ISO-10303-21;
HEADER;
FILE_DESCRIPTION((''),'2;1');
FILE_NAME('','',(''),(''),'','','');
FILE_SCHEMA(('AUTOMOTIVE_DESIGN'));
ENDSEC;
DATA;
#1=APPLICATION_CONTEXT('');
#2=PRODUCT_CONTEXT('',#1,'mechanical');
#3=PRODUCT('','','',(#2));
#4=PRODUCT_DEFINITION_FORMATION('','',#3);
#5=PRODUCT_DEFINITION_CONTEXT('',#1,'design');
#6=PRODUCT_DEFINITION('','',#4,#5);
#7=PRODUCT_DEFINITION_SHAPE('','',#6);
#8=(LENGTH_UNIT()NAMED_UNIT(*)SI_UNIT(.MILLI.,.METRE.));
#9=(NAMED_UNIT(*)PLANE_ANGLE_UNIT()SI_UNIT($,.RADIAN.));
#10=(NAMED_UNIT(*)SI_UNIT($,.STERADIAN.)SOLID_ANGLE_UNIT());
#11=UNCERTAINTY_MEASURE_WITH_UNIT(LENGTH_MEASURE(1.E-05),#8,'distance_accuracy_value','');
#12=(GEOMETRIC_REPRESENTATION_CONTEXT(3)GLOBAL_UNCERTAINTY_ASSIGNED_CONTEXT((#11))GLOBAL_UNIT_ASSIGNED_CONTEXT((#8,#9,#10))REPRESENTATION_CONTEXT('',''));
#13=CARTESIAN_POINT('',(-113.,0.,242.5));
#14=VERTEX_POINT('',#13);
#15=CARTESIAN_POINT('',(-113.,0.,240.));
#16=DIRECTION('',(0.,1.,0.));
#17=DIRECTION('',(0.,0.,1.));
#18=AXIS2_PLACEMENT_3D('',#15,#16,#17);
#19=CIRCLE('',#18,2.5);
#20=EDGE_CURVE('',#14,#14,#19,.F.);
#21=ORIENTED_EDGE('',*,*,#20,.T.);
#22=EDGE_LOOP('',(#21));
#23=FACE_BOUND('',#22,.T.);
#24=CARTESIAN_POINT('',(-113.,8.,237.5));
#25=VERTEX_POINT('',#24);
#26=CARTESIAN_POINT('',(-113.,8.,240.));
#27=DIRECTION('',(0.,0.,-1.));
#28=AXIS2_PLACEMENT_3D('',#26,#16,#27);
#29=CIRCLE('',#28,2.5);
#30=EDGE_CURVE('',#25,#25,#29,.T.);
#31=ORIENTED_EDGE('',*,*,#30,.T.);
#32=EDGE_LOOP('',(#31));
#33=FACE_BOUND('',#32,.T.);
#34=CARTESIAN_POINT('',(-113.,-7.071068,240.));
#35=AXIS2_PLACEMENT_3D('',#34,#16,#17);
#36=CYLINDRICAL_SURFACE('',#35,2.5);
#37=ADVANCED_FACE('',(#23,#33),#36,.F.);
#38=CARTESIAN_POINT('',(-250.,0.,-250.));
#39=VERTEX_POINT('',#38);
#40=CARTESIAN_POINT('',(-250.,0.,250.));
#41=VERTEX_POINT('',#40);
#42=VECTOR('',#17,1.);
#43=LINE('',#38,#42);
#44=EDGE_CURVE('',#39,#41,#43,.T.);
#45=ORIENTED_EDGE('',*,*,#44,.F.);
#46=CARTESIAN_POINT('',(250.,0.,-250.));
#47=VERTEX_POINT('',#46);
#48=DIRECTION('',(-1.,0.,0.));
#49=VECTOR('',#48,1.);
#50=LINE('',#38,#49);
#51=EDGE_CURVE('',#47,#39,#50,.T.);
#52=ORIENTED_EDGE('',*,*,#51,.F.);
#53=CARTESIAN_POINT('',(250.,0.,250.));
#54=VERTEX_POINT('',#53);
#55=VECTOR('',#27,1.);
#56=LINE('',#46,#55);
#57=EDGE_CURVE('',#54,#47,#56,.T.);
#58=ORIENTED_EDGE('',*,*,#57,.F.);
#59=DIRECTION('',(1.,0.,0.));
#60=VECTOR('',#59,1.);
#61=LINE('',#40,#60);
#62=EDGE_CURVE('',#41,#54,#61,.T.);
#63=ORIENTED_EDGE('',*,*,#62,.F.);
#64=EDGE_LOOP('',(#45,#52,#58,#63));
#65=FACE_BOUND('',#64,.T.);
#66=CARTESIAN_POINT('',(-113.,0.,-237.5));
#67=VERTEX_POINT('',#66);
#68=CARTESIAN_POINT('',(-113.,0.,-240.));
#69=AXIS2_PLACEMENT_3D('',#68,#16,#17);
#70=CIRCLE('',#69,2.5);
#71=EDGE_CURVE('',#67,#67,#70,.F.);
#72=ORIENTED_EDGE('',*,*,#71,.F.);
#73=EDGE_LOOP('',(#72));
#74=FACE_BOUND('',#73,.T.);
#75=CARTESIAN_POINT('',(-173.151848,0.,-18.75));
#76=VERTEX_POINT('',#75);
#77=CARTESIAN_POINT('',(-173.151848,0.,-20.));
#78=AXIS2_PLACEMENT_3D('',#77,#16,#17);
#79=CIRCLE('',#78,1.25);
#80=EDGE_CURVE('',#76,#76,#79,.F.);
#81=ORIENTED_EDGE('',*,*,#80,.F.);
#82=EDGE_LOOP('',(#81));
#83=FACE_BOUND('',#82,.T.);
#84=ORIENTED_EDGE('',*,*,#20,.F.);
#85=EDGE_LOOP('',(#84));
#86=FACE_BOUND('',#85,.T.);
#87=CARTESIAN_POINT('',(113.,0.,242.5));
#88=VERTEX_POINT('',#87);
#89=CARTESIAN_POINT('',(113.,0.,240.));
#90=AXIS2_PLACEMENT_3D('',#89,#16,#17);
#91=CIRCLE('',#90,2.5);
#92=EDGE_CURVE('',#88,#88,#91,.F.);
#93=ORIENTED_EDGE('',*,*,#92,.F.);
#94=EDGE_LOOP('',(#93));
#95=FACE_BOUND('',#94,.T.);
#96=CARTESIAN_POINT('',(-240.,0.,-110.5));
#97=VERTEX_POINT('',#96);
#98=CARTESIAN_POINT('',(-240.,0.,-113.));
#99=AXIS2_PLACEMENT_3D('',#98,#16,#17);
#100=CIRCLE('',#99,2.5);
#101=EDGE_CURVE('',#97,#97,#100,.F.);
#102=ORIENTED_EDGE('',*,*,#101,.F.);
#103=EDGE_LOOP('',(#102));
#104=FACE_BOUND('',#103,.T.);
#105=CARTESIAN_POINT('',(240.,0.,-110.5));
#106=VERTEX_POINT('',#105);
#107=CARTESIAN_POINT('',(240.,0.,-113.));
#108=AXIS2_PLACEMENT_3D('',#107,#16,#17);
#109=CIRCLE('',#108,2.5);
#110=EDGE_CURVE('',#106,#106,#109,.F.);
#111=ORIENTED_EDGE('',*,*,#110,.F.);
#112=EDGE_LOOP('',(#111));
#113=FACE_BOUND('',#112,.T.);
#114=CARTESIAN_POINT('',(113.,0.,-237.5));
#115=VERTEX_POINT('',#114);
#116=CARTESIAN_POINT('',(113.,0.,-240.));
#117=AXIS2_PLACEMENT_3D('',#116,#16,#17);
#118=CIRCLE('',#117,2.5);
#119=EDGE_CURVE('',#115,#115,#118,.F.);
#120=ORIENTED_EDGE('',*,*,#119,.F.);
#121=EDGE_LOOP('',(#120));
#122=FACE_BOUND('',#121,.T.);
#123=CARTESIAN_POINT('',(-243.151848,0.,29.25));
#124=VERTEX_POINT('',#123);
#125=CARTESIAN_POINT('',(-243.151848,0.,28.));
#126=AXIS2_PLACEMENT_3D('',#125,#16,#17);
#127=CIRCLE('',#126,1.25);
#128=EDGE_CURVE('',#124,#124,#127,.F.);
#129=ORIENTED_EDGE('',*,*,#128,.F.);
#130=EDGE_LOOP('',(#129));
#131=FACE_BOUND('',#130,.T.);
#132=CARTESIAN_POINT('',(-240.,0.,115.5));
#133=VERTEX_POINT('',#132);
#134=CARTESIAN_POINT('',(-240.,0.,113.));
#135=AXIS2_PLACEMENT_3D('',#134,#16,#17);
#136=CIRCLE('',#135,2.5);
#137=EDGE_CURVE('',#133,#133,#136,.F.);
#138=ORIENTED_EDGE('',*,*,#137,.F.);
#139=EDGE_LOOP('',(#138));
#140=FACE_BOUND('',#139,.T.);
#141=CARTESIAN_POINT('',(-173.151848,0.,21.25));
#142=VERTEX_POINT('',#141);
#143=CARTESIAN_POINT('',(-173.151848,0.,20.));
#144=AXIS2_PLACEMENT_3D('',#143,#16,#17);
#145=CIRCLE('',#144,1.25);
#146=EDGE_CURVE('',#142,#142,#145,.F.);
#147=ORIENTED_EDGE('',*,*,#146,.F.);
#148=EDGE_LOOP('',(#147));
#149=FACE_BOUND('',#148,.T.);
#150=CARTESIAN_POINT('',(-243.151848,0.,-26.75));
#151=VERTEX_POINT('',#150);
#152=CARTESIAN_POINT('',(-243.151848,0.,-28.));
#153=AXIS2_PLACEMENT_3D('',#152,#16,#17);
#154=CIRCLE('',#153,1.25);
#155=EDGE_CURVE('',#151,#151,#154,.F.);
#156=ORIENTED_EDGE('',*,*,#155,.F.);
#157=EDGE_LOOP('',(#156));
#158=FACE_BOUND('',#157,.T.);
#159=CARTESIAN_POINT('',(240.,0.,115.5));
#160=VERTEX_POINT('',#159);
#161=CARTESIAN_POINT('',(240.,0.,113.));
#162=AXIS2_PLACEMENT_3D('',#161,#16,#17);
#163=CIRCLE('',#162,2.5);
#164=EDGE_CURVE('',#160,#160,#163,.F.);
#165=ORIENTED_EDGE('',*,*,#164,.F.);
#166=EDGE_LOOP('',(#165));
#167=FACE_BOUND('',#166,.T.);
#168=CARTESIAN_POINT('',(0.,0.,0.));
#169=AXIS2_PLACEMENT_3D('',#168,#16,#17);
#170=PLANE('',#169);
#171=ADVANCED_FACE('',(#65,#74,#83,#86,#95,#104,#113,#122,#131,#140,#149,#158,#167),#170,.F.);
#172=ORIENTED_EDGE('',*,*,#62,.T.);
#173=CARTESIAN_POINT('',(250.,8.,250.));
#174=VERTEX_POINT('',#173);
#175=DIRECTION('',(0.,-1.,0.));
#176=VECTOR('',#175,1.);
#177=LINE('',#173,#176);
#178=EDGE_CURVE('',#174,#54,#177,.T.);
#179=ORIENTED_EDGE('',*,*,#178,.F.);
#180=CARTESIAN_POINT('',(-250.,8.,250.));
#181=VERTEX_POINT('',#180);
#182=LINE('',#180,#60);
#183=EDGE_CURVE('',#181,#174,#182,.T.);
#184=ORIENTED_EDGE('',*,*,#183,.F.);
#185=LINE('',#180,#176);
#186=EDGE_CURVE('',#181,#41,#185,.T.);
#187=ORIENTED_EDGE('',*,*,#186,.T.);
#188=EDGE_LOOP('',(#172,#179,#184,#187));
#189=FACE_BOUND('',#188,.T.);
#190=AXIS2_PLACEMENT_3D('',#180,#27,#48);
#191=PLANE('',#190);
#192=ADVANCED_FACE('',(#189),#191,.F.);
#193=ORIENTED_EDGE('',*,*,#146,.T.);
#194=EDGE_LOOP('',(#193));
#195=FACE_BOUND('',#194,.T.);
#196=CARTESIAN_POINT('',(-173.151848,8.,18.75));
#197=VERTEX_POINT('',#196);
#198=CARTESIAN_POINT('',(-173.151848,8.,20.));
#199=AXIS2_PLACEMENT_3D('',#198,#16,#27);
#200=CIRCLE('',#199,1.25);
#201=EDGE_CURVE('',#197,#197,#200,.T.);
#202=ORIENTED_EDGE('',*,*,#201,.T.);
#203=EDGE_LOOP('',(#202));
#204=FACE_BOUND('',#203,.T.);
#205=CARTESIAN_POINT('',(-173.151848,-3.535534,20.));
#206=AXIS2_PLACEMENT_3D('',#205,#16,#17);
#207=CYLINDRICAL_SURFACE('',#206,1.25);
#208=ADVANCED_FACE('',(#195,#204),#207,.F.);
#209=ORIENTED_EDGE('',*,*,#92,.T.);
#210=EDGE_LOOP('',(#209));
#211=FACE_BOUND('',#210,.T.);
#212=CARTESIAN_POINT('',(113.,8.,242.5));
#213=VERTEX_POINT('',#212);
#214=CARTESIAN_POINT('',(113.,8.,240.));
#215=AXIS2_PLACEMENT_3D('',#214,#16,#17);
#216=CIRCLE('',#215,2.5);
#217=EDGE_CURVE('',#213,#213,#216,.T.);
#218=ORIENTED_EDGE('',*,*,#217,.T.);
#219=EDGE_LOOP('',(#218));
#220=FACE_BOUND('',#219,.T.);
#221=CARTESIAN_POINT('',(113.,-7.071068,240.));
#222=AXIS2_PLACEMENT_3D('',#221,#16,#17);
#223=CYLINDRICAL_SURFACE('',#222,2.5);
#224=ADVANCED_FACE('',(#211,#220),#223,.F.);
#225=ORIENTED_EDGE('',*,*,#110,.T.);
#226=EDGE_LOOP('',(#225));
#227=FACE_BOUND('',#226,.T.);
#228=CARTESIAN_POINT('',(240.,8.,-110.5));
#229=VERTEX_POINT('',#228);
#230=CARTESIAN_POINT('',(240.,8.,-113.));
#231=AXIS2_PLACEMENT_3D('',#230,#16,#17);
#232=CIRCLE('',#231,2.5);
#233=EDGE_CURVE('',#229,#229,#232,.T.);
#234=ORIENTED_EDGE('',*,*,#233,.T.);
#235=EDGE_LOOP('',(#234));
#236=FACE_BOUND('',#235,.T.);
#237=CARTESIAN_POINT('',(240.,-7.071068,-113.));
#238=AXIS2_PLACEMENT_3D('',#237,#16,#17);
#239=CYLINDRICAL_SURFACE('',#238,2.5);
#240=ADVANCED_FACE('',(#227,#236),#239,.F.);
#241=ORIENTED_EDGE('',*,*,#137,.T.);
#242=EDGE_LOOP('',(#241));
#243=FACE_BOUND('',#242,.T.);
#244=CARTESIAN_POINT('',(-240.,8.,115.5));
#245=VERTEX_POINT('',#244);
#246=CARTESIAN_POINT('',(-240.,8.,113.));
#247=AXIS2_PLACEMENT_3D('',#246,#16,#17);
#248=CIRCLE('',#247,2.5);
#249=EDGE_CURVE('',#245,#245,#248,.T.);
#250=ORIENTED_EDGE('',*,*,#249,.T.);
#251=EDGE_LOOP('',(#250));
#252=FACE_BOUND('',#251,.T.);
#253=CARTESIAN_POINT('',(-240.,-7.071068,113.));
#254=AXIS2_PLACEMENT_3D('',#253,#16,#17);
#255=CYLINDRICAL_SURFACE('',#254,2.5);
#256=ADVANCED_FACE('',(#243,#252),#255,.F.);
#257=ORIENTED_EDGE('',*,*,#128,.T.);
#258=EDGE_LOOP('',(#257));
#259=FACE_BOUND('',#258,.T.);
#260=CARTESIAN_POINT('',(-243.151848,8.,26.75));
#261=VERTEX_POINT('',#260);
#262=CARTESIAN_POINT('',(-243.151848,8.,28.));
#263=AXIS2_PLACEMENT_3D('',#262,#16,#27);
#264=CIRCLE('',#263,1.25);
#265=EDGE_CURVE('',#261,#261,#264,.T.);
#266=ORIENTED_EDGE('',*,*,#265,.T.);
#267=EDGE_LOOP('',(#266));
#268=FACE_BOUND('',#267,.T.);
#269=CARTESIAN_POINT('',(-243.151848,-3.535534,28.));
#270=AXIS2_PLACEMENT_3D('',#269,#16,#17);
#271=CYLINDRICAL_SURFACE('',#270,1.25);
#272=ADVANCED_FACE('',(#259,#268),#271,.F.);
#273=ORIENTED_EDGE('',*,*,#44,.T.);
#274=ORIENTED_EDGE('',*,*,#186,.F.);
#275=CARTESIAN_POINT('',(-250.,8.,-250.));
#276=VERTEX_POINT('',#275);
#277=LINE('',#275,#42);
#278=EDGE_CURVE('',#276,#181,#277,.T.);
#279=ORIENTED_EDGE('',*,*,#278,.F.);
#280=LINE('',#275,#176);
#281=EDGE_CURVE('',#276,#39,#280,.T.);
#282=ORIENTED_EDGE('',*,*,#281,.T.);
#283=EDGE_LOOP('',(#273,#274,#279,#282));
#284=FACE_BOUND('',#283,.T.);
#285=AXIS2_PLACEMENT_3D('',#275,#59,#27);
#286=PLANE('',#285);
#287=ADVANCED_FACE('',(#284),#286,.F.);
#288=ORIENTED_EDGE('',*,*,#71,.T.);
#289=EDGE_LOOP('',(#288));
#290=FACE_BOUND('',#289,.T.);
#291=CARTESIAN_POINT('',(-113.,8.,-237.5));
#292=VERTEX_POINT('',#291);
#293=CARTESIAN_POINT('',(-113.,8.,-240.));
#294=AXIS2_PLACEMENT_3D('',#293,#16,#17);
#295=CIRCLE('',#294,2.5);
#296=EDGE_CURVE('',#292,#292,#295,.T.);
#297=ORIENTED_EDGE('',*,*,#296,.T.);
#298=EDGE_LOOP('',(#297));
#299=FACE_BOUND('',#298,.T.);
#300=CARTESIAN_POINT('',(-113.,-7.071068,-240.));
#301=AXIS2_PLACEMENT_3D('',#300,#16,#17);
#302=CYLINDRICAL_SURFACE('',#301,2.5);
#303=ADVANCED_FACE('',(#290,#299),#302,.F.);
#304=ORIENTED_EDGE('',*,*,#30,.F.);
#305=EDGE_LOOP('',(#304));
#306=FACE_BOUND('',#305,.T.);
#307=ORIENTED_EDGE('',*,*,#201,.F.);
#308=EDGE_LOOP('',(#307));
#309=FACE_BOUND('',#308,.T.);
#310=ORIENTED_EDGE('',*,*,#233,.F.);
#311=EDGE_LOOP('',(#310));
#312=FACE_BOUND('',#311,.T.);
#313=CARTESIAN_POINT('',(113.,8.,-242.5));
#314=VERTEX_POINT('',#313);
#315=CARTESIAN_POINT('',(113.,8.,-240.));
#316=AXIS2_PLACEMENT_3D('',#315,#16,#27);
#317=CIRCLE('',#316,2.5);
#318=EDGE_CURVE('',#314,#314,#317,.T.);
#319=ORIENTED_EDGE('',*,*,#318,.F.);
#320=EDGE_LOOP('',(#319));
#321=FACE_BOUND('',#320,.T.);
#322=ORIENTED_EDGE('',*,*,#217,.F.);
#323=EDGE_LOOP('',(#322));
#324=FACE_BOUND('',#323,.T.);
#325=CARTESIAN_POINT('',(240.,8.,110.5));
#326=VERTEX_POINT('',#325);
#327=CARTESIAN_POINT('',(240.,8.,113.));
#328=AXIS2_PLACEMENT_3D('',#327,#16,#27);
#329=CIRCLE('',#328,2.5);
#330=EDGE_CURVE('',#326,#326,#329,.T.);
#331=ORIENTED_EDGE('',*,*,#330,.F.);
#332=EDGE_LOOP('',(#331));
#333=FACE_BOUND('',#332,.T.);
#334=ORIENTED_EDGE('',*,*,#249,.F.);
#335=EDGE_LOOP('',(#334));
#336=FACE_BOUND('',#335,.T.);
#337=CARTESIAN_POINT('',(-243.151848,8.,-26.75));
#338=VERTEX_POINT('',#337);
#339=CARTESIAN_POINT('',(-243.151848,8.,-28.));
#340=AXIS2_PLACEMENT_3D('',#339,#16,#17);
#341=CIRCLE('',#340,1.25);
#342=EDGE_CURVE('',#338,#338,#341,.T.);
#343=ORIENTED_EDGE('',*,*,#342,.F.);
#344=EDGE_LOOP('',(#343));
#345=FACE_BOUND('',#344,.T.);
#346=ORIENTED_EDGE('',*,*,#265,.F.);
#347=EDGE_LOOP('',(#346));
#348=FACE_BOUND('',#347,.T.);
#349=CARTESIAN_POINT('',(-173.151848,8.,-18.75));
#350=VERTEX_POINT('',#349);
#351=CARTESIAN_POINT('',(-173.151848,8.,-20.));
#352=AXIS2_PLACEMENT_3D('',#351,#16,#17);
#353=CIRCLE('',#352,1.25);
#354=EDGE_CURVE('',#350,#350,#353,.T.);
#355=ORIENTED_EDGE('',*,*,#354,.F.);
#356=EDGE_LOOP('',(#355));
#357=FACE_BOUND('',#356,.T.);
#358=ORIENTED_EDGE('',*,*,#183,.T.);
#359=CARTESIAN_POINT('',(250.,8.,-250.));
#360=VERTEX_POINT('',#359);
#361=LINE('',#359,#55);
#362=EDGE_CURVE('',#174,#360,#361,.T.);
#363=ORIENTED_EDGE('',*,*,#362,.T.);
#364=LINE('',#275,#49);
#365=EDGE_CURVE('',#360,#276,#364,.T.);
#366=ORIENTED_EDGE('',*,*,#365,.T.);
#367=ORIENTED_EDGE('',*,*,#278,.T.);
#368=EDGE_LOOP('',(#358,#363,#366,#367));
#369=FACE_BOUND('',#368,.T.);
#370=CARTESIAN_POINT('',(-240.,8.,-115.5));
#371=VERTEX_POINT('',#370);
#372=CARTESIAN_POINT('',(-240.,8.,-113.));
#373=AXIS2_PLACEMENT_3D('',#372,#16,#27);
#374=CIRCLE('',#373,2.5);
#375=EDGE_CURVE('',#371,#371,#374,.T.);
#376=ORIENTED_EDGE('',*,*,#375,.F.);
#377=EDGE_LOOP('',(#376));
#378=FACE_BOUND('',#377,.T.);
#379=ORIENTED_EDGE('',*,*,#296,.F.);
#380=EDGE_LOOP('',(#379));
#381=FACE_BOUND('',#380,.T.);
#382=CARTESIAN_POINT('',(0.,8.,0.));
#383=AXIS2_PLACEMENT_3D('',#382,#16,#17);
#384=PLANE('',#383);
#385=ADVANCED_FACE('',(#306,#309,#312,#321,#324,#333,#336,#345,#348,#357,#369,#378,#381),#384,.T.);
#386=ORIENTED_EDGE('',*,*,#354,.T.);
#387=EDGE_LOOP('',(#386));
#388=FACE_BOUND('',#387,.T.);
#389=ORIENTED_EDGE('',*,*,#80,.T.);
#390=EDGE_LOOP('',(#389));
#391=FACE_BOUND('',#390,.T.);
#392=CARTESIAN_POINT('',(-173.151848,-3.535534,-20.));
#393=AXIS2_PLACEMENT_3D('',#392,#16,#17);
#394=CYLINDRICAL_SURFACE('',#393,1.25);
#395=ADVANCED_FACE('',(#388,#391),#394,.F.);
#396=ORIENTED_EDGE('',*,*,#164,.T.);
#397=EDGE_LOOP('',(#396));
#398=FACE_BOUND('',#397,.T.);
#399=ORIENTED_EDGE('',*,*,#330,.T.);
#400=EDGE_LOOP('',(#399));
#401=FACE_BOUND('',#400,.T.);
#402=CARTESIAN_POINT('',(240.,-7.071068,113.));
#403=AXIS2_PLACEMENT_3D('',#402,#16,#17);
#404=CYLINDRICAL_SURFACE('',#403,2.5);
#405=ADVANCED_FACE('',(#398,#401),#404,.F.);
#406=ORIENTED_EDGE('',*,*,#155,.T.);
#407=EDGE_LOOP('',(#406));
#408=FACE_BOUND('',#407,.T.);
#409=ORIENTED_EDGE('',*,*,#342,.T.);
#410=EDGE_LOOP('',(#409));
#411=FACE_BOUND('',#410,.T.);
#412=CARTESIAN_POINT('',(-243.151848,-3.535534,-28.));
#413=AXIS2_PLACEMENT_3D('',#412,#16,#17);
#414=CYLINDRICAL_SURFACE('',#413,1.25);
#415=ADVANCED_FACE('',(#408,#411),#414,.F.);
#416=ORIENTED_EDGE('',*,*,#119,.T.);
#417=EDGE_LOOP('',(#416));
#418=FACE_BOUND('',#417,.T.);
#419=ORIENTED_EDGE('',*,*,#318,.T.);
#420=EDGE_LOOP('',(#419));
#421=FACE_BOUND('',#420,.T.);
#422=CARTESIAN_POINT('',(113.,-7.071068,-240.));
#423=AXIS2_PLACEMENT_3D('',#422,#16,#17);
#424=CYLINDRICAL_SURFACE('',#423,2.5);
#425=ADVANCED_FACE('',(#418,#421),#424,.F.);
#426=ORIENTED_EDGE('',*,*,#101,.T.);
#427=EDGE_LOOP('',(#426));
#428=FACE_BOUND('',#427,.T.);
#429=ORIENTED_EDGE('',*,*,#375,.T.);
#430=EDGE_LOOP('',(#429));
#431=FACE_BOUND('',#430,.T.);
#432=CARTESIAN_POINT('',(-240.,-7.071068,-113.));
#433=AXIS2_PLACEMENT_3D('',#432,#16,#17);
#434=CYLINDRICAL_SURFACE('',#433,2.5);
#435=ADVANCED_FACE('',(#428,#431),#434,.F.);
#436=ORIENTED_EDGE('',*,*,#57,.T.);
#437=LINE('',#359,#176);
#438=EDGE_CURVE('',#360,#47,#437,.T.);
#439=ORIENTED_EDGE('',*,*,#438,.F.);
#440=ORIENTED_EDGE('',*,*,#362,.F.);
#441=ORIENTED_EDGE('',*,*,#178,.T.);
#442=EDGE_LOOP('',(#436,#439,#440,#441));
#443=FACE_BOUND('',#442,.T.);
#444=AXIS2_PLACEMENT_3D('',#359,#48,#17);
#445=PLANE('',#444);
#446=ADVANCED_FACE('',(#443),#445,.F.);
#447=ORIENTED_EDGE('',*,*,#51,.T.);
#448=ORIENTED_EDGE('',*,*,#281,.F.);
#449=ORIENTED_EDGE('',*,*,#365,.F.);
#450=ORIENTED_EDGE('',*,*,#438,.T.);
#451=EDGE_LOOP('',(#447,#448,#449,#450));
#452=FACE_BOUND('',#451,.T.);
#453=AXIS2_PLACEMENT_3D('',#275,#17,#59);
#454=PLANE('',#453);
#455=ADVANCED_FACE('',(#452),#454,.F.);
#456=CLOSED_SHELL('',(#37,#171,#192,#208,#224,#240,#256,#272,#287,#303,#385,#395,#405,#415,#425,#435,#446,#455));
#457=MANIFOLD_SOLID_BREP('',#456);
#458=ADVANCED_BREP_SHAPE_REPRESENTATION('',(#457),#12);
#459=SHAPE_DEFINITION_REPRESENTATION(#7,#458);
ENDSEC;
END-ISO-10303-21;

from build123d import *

# Parameters (mm, degrees)
SKETCH1_W           = 500
SKETCH1_H           = 500
BOSS_EXTRUDE1_DEPTH = 8
SKETCH6_R           = 2.5
CUT_EXTRUDE5_DEPTH  = 8
SKETCH5_R           = 1.25
CUT_EXTRUDE4_DEPTH  = 8


with BuildPart() as part:
    # Sketch1 → Boss-Extrude1 (new body)
    with BuildSketch(Plane(origin=(0, 0, 0), x_dir=(1, 0, 0), z_dir=(0, 1, 0))):
        Rectangle(SKETCH1_W, SKETCH1_H)
    extrude(amount=BOSS_EXTRUDE1_DEPTH)

    # Sketch6 → Cut-Extrude5 (cut)
    with BuildSketch(Plane(origin=(0, 8, 0), x_dir=(1, 0, 0), z_dir=(0, 1, 0))):
        with Locations(Location((-240, -113, 0), (0, 0, 270))):
            Circle(SKETCH6_R)
        with Locations(Location((-240, 113, 0), (0, 0, 270))):
            Circle(SKETCH6_R)
        with Locations(Location((-113, 240, 0), (0, 0, 270))):
            Circle(SKETCH6_R)
        with Locations(Location((113, 240, 0), (0, 0, 270))):
            Circle(SKETCH6_R)
        with Locations(Location((240, 113, 0), (0, 0, 270))):
            Circle(SKETCH6_R)
        with Locations(Location((240, -113, 0), (0, 0, 270))):
            Circle(SKETCH6_R)
        with Locations(Location((113, -240, 0), (0, 0, 270))):
            Circle(SKETCH6_R)
        with Locations(Location((-113, -240, 0), (0, 0, 270))):
            Circle(SKETCH6_R)
    extrude(amount=-CUT_EXTRUDE5_DEPTH, mode=Mode.SUBTRACT)

    # Sketch5 → Cut-Extrude4 (cut)
    with BuildSketch(Plane(origin=(0, 8, 0), x_dir=(1, 0, 0), z_dir=(0, 1, 0))):
        with Locations(Location((-243.151847812, 28, 0), (0, 0, 270))):
            Circle(SKETCH5_R)
        with Locations(Location((-173.151847812, 20, 0), (0, 0, 270))):
            Circle(SKETCH5_R)
        with Locations(Location((-173.151847812, -20, 0), (0, 0, 270))):
            Circle(SKETCH5_R)
        with Locations(Location((-243.151847812, -28, 0), (0, 0, 270))):
            Circle(SKETCH5_R)
    extrude(amount=-CUT_EXTRUDE4_DEPTH, mode=Mode.SUBTRACT)


solid = part.part
